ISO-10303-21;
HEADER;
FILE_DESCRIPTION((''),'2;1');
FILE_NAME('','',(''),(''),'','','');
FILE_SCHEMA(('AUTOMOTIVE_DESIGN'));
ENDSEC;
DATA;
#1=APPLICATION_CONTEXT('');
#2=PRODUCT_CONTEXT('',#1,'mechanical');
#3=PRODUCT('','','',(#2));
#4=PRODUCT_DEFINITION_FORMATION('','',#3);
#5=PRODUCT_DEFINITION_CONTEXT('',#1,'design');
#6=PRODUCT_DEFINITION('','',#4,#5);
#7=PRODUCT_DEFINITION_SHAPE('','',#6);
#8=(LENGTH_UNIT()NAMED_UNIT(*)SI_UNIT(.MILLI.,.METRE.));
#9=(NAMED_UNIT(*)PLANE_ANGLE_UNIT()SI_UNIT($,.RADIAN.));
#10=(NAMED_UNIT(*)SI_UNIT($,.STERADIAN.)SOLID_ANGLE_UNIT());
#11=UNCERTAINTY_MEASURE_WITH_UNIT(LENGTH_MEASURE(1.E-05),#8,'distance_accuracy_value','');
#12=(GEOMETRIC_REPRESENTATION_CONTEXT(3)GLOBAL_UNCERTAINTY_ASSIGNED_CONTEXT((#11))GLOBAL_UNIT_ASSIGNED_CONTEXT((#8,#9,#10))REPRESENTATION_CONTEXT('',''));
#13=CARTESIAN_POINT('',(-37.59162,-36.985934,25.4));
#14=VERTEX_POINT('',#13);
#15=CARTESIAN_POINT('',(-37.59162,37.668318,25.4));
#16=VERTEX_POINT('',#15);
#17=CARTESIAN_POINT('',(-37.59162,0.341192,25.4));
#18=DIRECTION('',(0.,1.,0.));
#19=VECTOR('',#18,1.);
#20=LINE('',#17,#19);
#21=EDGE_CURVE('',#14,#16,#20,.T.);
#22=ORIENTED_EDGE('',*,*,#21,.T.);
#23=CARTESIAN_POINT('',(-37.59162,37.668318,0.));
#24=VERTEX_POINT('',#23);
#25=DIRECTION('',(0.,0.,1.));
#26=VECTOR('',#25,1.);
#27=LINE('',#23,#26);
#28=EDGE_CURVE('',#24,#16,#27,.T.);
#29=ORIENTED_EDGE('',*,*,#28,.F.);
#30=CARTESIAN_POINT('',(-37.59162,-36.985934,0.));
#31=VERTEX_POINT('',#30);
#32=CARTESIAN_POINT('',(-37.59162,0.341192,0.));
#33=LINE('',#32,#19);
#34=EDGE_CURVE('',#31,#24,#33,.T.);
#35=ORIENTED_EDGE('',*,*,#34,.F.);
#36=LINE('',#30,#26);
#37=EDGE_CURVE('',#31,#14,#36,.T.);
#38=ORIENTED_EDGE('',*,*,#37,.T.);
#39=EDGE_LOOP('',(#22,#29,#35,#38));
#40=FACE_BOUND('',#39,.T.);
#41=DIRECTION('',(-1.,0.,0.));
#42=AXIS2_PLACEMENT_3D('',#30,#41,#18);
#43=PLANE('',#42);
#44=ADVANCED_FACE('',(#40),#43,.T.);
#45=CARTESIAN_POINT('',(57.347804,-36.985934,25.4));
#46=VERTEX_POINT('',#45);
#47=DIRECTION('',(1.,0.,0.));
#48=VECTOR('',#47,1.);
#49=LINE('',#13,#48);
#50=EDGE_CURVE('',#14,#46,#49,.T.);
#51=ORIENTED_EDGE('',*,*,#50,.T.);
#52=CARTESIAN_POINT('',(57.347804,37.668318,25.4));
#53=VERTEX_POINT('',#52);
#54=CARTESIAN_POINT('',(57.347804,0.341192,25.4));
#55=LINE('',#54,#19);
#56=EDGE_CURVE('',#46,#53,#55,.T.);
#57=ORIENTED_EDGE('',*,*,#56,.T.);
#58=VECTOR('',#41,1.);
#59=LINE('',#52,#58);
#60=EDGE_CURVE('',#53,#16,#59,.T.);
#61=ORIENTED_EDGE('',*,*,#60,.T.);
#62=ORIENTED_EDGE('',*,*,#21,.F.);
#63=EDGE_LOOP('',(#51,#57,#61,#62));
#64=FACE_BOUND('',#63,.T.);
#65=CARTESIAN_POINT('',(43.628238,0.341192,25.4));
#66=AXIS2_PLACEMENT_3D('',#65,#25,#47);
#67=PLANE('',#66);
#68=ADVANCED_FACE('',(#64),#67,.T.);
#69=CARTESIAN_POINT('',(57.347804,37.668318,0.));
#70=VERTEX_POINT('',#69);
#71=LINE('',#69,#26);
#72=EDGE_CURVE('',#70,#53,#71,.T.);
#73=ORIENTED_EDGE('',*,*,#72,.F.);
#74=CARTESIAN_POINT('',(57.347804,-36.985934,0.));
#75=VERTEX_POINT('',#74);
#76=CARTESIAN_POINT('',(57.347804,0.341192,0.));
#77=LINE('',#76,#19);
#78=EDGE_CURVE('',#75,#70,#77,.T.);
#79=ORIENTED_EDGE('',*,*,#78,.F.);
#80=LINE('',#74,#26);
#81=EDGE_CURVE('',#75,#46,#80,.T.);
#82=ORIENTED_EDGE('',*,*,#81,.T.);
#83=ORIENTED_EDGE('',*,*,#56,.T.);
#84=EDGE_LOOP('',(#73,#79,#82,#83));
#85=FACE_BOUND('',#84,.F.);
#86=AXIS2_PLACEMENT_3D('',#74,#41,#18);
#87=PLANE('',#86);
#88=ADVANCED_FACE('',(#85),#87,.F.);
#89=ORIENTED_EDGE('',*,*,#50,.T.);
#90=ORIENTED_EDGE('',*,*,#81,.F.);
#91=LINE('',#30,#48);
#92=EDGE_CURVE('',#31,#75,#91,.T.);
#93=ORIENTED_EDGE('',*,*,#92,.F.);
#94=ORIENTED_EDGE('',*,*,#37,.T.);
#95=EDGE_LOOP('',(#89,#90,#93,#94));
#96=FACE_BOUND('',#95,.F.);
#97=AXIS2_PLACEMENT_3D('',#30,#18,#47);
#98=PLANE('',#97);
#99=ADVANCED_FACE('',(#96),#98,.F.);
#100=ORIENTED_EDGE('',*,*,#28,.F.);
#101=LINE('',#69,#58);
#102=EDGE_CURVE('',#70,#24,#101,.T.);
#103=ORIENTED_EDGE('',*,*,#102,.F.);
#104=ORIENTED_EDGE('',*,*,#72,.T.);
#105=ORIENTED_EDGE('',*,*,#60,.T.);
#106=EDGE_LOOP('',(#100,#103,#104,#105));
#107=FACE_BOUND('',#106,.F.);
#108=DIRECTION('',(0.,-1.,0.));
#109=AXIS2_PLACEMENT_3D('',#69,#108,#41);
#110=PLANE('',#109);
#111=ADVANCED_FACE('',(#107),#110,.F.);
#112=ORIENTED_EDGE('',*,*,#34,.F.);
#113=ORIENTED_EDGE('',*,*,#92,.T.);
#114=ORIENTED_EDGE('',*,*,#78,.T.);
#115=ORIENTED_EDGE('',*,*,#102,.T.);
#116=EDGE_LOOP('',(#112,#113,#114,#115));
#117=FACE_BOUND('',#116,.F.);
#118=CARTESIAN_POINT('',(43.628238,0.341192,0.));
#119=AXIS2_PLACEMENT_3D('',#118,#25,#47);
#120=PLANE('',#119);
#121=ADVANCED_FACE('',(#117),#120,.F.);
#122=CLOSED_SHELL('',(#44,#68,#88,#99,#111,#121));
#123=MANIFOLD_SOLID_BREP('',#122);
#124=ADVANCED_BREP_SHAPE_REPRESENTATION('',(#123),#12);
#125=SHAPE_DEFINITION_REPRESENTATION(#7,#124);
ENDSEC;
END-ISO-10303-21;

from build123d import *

# Parameters (mm, degrees)
F0_W     = 27.439132
F0_H     = 74.654252
F0_W_2   = 20.03058
F0_W_3   = 47.469713
F1_DEPTH = 25.4


with BuildPart() as f1:
    # F0 (on Top) → F1 (new body)
    with BuildSketch(Plane.XY):
        with Locations((43.628238, 0.341192)):
            Rectangle(F0_W, F0_H)
        with Locations((19.893382, 0.341192)):
            Rectangle(F0_W_2, F0_H)
        with Locations((-13.856764, 0.341192)):
            Rectangle(F0_W_3, F0_H)
    extrude(amount=F1_DEPTH)


solid = f1.part
